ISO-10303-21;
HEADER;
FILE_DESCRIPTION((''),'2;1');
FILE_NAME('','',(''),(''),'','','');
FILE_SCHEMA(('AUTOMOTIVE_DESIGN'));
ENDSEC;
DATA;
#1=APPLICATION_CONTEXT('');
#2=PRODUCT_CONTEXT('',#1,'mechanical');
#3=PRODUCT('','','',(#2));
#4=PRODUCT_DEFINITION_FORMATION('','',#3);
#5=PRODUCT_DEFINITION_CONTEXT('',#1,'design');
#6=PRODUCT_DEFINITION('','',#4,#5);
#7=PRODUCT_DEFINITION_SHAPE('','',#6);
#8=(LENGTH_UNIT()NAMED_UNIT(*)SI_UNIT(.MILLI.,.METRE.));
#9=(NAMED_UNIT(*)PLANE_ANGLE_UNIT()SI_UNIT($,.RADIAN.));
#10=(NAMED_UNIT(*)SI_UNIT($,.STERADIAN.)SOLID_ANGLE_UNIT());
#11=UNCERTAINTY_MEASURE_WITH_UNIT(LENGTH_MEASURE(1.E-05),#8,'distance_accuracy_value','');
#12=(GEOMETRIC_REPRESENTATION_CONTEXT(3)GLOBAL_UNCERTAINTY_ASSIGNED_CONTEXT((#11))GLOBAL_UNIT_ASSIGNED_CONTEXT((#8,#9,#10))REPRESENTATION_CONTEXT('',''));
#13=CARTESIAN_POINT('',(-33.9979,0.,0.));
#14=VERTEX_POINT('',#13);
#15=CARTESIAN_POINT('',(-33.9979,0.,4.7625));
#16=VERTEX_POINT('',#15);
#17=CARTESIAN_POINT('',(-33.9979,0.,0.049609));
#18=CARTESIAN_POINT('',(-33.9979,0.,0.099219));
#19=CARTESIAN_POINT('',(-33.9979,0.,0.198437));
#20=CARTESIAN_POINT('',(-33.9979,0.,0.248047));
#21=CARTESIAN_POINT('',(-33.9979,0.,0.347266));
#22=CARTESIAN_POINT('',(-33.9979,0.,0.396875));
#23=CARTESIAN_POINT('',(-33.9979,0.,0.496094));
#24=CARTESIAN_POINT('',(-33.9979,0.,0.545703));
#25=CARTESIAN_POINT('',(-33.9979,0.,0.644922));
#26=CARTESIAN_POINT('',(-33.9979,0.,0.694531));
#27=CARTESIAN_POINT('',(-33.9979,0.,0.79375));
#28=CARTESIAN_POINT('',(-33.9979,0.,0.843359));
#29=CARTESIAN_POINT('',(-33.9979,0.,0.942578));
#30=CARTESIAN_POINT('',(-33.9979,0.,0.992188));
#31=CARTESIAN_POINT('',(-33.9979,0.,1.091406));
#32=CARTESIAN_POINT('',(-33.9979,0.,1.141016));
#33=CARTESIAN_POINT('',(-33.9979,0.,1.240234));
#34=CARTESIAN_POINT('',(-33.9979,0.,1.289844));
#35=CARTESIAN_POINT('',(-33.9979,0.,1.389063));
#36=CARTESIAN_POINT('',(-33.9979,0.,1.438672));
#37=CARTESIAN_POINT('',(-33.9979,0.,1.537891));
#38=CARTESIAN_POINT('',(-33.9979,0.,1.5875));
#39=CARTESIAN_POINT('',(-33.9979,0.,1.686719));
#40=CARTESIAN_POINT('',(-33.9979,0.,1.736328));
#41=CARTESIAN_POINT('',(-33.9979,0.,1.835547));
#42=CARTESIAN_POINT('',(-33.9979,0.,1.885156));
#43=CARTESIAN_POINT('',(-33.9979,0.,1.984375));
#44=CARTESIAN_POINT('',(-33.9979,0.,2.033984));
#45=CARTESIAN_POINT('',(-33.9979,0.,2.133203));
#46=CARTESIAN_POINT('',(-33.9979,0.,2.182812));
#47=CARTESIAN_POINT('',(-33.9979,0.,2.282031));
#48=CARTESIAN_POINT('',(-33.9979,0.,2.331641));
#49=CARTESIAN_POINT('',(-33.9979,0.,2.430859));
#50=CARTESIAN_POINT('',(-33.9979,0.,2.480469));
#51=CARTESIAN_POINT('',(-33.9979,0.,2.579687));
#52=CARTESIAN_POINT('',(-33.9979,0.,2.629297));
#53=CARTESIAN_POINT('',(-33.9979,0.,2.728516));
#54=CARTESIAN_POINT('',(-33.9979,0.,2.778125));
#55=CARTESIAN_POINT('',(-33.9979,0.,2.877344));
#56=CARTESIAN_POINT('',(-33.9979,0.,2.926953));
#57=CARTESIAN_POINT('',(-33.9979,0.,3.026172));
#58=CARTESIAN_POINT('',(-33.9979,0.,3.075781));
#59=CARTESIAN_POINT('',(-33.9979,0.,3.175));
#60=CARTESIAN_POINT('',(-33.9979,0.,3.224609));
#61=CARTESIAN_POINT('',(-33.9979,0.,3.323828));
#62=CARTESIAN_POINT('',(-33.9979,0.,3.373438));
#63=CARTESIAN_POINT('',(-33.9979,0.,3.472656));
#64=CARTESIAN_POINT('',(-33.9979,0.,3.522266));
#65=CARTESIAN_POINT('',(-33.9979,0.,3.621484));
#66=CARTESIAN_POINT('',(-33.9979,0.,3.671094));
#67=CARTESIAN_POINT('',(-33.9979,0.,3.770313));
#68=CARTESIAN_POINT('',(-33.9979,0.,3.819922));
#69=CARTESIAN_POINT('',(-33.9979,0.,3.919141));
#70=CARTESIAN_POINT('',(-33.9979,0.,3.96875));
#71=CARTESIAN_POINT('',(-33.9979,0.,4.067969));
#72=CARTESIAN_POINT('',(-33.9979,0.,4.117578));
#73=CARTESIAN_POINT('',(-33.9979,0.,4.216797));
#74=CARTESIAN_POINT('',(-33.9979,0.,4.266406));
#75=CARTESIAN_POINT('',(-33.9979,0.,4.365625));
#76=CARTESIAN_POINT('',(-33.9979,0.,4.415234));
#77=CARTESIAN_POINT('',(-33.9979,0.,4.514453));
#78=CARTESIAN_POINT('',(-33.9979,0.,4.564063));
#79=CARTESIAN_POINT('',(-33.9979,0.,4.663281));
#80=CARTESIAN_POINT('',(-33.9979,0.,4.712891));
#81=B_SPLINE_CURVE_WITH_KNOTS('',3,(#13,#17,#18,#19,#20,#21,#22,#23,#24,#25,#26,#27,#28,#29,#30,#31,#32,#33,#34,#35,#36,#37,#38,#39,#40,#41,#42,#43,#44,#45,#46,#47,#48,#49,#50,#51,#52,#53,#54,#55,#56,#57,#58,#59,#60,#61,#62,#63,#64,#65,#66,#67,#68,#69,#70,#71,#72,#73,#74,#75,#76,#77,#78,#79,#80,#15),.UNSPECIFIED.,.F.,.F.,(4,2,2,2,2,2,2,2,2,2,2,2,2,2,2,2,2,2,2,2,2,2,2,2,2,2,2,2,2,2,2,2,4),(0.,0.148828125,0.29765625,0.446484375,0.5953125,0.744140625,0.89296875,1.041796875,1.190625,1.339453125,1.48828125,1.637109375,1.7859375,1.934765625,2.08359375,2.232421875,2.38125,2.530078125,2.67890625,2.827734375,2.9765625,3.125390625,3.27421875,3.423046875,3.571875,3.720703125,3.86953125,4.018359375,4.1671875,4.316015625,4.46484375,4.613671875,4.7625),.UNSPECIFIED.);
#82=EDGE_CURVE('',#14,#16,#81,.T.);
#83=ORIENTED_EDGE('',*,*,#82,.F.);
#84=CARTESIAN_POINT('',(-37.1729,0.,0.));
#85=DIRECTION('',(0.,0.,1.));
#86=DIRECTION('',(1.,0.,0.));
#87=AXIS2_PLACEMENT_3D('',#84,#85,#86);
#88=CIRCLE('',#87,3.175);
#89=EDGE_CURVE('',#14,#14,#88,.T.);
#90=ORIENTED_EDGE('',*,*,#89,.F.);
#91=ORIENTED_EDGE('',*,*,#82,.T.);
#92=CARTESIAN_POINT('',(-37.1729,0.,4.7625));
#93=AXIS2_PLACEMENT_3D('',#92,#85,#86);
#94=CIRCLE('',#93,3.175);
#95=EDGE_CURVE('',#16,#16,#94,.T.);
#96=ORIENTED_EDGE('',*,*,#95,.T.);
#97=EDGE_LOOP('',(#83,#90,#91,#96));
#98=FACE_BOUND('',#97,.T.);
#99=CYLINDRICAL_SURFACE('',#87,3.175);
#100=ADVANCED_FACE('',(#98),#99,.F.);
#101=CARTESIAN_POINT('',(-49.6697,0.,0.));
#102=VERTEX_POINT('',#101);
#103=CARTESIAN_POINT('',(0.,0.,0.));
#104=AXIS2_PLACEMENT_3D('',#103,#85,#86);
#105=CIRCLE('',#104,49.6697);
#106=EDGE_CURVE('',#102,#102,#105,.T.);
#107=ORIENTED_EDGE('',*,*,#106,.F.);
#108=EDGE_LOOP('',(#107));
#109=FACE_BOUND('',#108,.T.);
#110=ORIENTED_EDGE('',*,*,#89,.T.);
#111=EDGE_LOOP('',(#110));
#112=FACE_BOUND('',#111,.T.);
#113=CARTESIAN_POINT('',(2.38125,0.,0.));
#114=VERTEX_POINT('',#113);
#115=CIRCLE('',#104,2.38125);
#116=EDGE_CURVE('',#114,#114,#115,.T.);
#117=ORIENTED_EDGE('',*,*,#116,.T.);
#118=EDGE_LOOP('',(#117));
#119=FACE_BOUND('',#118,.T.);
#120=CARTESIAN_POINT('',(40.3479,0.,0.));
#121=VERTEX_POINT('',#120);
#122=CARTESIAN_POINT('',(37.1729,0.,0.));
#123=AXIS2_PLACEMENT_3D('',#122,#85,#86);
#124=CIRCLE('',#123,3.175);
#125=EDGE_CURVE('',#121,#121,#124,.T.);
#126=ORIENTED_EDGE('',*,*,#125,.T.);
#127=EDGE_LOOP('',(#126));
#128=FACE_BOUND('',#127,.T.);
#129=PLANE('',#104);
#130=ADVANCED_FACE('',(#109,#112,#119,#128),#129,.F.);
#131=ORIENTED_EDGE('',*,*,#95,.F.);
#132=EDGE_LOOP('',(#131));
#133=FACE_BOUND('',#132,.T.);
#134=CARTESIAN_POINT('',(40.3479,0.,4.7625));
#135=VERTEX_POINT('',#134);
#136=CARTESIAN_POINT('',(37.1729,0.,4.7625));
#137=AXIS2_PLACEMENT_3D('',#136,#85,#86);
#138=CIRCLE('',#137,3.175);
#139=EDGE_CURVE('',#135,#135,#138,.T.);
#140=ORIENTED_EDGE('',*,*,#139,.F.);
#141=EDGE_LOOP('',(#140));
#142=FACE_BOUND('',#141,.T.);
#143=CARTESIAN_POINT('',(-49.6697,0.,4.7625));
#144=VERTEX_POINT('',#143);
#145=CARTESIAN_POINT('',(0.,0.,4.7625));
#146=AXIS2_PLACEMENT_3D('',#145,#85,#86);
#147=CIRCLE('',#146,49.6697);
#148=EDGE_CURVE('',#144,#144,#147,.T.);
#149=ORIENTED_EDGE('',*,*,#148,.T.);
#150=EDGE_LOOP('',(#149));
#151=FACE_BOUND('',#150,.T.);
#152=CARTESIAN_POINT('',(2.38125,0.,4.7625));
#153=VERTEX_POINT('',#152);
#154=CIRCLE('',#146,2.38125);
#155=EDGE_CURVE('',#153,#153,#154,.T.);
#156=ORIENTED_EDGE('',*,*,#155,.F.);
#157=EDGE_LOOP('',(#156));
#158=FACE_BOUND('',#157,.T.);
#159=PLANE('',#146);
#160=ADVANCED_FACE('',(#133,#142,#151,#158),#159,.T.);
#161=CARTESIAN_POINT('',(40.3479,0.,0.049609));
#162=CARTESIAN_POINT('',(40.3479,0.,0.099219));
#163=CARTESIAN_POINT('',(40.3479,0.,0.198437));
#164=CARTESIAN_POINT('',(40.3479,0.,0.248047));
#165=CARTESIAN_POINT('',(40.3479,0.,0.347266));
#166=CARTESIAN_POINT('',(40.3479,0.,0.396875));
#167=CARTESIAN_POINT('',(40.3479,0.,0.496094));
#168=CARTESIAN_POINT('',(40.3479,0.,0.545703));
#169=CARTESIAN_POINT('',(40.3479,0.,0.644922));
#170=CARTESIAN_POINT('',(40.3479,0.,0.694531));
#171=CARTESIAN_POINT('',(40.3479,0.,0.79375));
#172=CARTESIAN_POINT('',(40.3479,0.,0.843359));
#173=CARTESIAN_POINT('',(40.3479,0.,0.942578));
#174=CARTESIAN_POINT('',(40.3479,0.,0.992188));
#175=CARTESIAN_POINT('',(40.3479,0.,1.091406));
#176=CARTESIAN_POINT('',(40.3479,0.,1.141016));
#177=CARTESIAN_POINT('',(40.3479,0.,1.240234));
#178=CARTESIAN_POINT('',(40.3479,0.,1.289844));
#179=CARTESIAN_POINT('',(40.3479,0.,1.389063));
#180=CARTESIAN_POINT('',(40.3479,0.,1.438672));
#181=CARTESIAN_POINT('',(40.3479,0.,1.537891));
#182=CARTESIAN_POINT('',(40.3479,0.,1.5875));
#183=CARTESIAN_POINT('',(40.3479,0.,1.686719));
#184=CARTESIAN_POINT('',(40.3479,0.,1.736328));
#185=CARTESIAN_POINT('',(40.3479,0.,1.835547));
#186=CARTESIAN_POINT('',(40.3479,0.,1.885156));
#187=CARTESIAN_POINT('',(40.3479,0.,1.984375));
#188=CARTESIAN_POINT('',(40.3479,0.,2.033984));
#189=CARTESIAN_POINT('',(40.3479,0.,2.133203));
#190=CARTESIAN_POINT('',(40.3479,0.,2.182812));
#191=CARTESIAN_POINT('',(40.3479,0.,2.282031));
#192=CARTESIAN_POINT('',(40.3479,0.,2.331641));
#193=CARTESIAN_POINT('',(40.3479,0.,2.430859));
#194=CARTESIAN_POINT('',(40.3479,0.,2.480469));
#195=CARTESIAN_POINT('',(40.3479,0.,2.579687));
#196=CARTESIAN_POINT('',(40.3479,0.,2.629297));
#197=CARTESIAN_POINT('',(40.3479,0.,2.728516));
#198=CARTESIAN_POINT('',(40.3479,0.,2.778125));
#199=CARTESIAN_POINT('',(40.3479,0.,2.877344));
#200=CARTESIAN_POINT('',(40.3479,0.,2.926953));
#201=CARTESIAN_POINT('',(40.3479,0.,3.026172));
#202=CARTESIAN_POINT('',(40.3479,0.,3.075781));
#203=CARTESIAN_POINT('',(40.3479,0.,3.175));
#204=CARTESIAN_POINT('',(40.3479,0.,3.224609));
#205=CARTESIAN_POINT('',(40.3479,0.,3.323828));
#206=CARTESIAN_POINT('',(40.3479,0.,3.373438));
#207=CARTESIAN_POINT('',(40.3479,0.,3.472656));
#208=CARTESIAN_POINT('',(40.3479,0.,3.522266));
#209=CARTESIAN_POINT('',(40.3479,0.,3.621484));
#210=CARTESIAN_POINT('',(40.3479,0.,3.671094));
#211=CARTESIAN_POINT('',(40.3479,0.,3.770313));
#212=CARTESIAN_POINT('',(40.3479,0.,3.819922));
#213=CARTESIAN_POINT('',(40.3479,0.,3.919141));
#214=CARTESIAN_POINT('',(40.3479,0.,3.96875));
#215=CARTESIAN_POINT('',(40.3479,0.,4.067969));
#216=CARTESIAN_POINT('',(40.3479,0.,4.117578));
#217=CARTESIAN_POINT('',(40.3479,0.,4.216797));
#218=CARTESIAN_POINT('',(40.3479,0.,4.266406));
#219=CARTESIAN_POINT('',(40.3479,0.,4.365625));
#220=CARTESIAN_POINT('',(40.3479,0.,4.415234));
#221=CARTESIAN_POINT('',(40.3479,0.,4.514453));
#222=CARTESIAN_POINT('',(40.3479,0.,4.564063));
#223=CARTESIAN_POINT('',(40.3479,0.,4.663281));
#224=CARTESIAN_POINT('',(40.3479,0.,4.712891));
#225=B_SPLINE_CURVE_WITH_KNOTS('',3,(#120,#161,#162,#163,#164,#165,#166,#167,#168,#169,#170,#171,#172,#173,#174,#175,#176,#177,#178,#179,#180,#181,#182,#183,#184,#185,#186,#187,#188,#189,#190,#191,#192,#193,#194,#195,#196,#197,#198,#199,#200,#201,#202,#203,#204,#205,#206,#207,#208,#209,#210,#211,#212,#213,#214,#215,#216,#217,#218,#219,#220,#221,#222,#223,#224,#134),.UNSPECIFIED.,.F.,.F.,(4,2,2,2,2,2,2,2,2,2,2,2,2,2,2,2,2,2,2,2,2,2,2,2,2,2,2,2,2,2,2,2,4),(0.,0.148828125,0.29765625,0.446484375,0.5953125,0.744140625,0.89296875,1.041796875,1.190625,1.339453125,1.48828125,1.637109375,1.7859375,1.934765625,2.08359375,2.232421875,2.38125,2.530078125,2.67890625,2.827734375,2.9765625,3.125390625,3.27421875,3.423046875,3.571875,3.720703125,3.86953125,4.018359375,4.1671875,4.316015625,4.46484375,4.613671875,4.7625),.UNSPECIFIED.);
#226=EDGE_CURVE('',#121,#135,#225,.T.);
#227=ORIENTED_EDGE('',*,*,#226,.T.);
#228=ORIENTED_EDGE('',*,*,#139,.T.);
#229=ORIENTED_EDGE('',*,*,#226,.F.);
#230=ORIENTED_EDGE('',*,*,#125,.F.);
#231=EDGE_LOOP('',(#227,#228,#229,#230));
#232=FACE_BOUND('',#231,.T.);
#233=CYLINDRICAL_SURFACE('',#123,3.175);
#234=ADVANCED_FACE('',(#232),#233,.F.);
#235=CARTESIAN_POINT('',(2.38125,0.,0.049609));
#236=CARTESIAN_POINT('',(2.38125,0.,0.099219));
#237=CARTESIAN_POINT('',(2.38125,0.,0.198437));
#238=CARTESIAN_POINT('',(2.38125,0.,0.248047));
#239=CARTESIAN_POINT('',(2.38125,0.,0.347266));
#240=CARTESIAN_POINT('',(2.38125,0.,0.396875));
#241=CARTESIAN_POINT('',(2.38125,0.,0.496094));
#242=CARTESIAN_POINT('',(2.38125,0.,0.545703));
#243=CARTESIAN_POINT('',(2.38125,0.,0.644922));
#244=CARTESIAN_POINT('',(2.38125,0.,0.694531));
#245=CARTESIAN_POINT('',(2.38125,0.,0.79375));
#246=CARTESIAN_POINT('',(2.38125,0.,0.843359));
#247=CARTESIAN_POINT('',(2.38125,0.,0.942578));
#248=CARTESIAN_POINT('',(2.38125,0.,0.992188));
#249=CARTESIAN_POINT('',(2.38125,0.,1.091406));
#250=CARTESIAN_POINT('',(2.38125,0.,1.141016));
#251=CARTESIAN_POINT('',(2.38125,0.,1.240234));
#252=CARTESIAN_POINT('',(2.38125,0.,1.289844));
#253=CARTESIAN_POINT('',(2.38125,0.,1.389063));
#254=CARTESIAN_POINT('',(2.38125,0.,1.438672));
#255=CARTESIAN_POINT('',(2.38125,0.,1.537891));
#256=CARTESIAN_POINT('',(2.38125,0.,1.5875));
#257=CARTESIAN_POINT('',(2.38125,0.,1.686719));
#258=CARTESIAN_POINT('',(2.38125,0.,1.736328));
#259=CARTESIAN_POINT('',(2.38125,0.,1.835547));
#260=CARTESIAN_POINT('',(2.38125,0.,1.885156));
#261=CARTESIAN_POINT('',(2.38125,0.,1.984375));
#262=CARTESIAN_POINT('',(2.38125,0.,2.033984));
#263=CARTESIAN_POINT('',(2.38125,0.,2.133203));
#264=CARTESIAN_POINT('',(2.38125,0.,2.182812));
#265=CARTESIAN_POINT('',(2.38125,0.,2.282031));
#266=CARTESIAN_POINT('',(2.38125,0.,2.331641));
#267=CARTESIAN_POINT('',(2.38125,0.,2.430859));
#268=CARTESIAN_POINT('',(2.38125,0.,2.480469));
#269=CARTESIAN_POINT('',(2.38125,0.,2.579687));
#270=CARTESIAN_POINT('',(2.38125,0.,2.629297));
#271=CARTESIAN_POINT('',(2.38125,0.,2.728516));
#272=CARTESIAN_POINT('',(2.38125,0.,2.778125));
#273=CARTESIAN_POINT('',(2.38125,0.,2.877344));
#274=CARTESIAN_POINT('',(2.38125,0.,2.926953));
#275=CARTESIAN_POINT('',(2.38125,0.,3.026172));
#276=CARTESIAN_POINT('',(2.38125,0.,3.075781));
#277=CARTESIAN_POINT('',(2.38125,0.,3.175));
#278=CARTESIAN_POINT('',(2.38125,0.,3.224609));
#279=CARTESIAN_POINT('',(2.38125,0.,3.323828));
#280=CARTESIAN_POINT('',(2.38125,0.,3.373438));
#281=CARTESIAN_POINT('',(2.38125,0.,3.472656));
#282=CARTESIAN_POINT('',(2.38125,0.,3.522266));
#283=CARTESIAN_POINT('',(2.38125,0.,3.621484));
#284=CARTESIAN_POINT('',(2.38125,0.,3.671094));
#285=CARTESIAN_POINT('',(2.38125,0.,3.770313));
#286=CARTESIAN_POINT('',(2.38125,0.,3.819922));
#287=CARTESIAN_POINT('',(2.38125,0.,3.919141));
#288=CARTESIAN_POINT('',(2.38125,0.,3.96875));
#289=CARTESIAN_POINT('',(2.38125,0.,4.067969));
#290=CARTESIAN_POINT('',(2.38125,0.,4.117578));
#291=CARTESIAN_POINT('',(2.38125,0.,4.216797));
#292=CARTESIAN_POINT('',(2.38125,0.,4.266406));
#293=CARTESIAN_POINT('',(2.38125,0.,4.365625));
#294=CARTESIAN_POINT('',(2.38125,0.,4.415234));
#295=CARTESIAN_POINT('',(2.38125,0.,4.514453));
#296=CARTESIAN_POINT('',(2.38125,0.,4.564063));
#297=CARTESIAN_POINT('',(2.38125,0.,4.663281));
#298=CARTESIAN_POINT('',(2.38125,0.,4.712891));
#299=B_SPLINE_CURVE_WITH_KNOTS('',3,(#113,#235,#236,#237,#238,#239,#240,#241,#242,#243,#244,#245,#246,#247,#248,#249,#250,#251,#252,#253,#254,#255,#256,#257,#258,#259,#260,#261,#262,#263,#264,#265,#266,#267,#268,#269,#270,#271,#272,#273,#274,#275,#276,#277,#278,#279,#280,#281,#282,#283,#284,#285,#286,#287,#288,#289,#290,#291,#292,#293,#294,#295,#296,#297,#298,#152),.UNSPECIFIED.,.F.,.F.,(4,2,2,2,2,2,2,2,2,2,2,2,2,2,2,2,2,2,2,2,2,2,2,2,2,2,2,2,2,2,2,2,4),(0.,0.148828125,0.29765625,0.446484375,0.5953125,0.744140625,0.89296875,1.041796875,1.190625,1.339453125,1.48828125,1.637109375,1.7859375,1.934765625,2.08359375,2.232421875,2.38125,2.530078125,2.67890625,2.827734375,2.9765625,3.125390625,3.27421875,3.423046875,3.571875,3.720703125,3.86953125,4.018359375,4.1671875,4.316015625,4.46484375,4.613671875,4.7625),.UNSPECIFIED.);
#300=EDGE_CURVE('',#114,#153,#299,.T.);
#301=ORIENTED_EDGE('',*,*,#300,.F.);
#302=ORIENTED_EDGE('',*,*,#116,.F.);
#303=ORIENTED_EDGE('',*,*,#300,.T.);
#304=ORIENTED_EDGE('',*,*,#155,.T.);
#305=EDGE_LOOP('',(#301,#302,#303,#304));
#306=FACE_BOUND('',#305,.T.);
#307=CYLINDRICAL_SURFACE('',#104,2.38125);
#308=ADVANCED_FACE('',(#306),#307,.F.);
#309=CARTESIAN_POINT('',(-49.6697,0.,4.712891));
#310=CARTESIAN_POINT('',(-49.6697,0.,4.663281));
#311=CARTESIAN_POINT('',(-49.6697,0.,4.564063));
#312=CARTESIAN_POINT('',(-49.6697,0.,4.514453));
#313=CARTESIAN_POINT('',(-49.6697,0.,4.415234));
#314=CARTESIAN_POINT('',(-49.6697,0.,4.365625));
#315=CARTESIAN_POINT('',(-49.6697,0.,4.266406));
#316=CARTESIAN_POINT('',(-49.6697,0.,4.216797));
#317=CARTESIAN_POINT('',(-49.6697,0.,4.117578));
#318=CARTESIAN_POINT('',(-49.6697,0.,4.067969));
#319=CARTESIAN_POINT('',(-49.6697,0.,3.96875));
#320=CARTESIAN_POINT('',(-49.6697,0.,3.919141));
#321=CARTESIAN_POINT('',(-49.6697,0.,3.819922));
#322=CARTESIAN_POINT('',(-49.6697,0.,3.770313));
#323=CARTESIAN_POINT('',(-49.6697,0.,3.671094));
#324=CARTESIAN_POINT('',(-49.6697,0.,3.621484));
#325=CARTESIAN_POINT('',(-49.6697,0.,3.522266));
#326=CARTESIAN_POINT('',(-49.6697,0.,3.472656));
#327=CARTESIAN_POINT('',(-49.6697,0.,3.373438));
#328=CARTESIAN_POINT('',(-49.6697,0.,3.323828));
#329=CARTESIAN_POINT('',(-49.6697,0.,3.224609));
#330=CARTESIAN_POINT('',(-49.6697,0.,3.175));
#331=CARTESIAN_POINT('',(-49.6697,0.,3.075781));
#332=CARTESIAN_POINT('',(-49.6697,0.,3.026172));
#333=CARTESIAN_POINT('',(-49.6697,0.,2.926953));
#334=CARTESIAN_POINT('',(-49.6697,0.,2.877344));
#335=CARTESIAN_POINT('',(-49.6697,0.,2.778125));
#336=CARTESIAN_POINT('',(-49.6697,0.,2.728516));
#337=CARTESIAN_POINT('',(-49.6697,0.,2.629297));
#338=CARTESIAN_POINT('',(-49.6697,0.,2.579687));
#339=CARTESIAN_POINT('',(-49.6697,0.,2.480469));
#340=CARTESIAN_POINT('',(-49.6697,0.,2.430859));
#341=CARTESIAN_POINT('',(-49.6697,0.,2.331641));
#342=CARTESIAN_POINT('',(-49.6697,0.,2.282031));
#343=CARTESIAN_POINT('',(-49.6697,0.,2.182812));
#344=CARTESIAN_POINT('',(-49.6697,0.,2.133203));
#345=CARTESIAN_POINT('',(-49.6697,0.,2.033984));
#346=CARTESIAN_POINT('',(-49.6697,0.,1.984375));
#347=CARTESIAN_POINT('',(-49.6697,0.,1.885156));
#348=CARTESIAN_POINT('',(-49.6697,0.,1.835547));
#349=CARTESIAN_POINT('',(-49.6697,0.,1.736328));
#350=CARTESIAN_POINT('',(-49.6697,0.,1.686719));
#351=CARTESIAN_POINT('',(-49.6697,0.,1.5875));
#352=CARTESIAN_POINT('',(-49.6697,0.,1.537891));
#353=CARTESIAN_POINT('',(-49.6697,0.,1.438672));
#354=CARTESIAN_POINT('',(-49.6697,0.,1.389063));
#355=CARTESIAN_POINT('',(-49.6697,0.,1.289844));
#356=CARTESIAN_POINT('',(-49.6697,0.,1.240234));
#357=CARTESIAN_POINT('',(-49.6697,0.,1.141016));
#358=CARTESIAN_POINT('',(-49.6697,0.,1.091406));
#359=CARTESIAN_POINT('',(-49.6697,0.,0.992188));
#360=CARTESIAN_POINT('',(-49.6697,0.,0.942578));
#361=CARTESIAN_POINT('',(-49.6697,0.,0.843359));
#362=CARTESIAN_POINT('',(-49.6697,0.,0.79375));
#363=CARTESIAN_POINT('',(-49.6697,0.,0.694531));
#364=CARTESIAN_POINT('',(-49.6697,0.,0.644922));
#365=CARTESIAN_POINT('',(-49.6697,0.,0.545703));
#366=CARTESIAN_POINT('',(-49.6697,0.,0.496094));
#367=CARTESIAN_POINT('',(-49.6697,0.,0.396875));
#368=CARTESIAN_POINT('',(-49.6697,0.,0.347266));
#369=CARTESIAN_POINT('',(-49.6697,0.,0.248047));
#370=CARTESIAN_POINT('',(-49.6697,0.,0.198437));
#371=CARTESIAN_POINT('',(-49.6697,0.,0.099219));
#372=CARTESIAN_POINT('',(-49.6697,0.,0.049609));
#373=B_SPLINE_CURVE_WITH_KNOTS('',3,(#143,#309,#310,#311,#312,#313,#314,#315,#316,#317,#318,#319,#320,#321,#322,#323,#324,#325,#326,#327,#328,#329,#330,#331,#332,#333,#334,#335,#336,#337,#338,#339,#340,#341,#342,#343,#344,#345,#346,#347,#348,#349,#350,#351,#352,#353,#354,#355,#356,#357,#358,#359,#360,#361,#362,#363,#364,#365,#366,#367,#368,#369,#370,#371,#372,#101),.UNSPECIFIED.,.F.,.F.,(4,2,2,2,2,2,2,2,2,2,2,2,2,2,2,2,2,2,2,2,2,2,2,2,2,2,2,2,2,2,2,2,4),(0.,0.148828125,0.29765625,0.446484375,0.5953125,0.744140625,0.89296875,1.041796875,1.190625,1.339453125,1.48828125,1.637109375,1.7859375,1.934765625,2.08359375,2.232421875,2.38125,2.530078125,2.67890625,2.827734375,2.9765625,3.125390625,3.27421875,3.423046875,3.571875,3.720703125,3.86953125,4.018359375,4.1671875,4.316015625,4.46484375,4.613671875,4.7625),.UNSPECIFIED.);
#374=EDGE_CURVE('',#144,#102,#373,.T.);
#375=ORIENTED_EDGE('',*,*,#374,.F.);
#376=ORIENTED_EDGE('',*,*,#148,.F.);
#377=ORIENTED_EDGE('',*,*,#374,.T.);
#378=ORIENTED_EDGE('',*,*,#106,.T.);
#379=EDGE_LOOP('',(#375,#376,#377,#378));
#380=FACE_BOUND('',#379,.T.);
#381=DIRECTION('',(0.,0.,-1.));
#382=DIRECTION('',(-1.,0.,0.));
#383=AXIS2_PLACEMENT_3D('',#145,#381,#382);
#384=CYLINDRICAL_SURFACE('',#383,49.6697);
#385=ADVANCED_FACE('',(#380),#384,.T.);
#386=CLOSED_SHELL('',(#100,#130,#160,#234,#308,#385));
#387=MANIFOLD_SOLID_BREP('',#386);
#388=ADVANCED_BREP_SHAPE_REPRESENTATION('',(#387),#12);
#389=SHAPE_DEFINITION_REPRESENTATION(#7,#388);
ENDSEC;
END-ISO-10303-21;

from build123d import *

# Parameters (mm, degrees)
SKETCH1_R           = 49.6697
BOSS_EXTRUDE1_DEPTH = 4.7625
SKETCH2_R           = 2.38125
SKETCH2_R_2         = 3.175
CUT_EXTRUDE1_DEPTH  = 71.404826556


with BuildPart() as part:
    # Sketch1 → Boss-Extrude1 (new body)
    with BuildSketch(Plane.XY):
        with Locations(Location((0, 0, 0), (0, 0, 180))):
            Circle(SKETCH1_R)
    extrude(amount=BOSS_EXTRUDE1_DEPTH)

    # Sketch2 → Cut-Extrude1 (cut, through all)
    with BuildSketch(Plane.XY.offset(4.7625)):
        Circle(SKETCH2_R)
        with Locations((37.1729, 0)):
            Circle(SKETCH2_R_2)
        with Locations((-37.1729, 0)):
            Circle(SKETCH2_R_2)
    extrude(amount=-CUT_EXTRUDE1_DEPTH, mode=Mode.SUBTRACT)


solid = part.part
